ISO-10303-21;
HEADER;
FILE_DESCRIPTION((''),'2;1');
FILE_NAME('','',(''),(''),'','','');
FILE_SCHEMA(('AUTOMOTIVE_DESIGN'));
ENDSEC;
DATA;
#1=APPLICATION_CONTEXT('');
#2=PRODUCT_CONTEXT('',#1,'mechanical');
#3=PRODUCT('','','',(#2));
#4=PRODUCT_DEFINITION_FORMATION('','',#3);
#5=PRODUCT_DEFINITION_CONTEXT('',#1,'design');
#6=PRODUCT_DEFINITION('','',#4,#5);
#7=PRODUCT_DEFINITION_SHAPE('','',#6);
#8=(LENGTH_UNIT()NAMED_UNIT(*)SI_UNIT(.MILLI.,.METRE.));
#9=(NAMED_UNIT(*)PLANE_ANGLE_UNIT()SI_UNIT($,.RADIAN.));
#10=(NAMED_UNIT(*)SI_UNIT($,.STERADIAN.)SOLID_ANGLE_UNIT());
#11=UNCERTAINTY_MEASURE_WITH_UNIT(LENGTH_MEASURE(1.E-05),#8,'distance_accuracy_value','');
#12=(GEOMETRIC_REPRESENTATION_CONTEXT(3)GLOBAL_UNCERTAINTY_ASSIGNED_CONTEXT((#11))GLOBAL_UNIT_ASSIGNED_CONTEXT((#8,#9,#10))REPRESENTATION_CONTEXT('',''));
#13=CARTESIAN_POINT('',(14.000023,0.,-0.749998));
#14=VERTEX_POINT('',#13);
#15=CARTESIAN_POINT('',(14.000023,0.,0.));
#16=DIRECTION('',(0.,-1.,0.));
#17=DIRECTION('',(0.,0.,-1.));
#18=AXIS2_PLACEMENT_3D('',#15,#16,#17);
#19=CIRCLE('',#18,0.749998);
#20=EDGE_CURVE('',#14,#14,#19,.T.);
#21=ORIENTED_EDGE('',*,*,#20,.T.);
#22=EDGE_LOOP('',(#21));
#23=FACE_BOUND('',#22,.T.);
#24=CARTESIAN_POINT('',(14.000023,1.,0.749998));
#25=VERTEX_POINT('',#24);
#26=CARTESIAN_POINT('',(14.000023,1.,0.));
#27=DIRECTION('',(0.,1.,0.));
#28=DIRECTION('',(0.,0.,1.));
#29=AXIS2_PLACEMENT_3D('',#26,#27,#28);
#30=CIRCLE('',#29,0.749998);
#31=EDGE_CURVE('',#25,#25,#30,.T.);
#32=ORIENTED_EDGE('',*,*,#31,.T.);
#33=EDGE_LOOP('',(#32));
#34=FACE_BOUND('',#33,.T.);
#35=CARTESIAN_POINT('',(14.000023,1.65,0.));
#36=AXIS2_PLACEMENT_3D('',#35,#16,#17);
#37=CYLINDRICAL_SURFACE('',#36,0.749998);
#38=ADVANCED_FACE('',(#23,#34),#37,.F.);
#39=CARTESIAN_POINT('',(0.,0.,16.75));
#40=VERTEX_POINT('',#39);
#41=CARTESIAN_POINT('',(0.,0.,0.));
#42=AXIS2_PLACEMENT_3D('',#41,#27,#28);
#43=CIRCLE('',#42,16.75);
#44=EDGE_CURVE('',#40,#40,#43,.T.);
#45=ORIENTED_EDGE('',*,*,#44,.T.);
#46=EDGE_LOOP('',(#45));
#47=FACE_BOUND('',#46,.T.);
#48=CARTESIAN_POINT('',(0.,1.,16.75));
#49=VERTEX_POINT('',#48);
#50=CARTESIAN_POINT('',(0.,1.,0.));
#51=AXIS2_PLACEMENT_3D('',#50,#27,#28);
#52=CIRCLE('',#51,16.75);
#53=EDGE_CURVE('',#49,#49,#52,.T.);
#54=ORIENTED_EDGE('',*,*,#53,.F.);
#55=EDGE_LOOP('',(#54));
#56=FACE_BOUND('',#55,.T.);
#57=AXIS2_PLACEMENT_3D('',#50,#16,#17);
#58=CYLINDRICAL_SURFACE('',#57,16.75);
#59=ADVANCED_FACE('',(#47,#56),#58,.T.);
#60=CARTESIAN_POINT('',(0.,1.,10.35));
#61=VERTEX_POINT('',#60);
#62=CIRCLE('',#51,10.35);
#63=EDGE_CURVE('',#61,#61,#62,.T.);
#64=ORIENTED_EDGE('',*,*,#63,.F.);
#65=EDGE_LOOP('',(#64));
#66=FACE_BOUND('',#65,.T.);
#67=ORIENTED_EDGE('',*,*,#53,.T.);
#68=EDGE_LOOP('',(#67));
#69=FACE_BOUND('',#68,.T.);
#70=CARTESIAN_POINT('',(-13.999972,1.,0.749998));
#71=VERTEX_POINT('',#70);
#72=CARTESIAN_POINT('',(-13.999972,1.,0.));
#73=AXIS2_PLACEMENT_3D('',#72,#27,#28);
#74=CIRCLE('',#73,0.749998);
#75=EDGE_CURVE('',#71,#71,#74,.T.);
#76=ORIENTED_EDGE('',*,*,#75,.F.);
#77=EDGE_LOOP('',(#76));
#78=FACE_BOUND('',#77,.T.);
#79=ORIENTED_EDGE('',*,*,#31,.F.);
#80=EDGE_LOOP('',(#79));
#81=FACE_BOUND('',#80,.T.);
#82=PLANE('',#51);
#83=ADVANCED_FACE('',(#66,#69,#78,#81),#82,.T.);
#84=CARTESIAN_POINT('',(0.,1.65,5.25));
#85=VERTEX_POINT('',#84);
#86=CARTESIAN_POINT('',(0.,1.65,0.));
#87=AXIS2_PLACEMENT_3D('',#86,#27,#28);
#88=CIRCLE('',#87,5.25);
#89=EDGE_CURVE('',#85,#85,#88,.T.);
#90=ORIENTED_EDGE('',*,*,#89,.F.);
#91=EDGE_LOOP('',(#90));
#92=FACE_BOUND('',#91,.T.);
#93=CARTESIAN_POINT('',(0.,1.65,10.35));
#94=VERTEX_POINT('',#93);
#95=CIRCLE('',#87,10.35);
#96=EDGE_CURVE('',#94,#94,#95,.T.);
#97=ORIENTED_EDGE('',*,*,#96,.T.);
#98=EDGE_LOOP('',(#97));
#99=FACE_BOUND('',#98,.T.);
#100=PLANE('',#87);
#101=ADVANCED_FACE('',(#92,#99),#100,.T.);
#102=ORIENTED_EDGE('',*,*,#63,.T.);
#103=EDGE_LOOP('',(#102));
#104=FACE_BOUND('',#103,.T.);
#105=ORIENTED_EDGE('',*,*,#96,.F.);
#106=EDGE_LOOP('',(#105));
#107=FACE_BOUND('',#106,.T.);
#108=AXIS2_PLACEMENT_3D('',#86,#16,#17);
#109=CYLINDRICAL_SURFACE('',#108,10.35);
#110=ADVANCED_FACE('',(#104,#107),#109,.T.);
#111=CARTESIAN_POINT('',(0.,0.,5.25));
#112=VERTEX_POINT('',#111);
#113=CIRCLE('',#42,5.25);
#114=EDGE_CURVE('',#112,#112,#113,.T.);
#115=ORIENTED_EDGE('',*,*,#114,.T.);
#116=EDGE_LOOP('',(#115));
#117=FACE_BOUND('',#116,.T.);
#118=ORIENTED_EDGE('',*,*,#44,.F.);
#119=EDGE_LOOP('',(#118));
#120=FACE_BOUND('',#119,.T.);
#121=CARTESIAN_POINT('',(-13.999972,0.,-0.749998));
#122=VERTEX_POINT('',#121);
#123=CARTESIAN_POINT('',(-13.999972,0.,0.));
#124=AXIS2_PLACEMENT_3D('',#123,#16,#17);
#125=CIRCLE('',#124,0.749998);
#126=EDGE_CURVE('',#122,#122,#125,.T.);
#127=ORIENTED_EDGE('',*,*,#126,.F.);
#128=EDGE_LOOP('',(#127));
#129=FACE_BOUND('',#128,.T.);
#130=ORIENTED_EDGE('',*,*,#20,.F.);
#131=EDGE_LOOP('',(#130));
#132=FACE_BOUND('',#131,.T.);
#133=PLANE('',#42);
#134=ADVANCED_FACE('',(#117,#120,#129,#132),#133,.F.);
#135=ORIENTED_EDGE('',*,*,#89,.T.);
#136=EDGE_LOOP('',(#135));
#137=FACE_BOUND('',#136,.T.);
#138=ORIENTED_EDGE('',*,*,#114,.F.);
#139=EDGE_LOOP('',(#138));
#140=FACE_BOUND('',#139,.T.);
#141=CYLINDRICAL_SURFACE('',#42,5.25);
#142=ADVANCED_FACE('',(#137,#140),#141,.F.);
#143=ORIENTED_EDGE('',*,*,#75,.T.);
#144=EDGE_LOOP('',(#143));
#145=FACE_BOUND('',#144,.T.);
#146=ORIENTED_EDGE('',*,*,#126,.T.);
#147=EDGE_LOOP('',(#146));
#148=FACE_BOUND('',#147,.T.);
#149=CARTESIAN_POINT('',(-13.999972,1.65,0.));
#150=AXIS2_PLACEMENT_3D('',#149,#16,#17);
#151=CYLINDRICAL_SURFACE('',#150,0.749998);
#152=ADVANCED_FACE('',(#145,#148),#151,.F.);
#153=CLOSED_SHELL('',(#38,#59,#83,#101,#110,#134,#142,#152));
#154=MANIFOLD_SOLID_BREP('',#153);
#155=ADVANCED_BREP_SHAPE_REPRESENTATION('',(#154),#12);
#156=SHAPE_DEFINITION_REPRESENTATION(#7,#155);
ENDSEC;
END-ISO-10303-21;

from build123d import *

# Parameters (mm, degrees)
SKETCH_1_R          = 16.75
EXTRUDE_1_DEPTH     = 1
SKETCH_2_R          = 10.35
EXTRUDE_2_DEPTH     = 0.65
SKETCH_3_R          = 5.25
CUT_EXTRUDE_1_DEPTH = 2.65
SKETCH_4_R          = 0.7499985
CUT_EXTRUDE_2_DEPTH = 2.65


with BuildPart() as part:
    # Эскиз1 → Бобышка-Вытянуть1 (new body)
    with BuildSketch(Plane(origin=(0, 0, 0), x_dir=(1, 0, 0), z_dir=(0, 1, 0))):
        Circle(SKETCH_1_R)
    extrude(amount=EXTRUDE_1_DEPTH)

    # Эскиз2 → Бобышка-Вытянуть2 (add)
    with BuildSketch(Plane(origin=(0, 1, 0), x_dir=(1, 0, 0), z_dir=(0, 1, 0))):
        Circle(SKETCH_2_R)
    extrude(amount=EXTRUDE_2_DEPTH)

    # Эскиз3 → Вырез-Вытянуть1 (cut, through all)
    with BuildSketch(Plane(origin=(0, 1.65, 0), x_dir=(1, 0, 0), z_dir=(0, 1, 0))):
        Circle(SKETCH_3_R)
    extrude(amount=-CUT_EXTRUDE_1_DEPTH, mode=Mode.SUBTRACT)

    # Эскиз4 → Вырез-Вытянуть2 (cut, through all)
    with BuildSketch(Plane(origin=(0, 0, 0), x_dir=(-1, 0, 0), z_dir=(0, -1, 0))):
        with Locations((-14.0000228, 0)):
            Circle(SKETCH_4_R)
        with Locations((13.999972, 0)):
            Circle(SKETCH_4_R)
    extrude(amount=-CUT_EXTRUDE_2_DEPTH, mode=Mode.SUBTRACT)


solid = part.part
